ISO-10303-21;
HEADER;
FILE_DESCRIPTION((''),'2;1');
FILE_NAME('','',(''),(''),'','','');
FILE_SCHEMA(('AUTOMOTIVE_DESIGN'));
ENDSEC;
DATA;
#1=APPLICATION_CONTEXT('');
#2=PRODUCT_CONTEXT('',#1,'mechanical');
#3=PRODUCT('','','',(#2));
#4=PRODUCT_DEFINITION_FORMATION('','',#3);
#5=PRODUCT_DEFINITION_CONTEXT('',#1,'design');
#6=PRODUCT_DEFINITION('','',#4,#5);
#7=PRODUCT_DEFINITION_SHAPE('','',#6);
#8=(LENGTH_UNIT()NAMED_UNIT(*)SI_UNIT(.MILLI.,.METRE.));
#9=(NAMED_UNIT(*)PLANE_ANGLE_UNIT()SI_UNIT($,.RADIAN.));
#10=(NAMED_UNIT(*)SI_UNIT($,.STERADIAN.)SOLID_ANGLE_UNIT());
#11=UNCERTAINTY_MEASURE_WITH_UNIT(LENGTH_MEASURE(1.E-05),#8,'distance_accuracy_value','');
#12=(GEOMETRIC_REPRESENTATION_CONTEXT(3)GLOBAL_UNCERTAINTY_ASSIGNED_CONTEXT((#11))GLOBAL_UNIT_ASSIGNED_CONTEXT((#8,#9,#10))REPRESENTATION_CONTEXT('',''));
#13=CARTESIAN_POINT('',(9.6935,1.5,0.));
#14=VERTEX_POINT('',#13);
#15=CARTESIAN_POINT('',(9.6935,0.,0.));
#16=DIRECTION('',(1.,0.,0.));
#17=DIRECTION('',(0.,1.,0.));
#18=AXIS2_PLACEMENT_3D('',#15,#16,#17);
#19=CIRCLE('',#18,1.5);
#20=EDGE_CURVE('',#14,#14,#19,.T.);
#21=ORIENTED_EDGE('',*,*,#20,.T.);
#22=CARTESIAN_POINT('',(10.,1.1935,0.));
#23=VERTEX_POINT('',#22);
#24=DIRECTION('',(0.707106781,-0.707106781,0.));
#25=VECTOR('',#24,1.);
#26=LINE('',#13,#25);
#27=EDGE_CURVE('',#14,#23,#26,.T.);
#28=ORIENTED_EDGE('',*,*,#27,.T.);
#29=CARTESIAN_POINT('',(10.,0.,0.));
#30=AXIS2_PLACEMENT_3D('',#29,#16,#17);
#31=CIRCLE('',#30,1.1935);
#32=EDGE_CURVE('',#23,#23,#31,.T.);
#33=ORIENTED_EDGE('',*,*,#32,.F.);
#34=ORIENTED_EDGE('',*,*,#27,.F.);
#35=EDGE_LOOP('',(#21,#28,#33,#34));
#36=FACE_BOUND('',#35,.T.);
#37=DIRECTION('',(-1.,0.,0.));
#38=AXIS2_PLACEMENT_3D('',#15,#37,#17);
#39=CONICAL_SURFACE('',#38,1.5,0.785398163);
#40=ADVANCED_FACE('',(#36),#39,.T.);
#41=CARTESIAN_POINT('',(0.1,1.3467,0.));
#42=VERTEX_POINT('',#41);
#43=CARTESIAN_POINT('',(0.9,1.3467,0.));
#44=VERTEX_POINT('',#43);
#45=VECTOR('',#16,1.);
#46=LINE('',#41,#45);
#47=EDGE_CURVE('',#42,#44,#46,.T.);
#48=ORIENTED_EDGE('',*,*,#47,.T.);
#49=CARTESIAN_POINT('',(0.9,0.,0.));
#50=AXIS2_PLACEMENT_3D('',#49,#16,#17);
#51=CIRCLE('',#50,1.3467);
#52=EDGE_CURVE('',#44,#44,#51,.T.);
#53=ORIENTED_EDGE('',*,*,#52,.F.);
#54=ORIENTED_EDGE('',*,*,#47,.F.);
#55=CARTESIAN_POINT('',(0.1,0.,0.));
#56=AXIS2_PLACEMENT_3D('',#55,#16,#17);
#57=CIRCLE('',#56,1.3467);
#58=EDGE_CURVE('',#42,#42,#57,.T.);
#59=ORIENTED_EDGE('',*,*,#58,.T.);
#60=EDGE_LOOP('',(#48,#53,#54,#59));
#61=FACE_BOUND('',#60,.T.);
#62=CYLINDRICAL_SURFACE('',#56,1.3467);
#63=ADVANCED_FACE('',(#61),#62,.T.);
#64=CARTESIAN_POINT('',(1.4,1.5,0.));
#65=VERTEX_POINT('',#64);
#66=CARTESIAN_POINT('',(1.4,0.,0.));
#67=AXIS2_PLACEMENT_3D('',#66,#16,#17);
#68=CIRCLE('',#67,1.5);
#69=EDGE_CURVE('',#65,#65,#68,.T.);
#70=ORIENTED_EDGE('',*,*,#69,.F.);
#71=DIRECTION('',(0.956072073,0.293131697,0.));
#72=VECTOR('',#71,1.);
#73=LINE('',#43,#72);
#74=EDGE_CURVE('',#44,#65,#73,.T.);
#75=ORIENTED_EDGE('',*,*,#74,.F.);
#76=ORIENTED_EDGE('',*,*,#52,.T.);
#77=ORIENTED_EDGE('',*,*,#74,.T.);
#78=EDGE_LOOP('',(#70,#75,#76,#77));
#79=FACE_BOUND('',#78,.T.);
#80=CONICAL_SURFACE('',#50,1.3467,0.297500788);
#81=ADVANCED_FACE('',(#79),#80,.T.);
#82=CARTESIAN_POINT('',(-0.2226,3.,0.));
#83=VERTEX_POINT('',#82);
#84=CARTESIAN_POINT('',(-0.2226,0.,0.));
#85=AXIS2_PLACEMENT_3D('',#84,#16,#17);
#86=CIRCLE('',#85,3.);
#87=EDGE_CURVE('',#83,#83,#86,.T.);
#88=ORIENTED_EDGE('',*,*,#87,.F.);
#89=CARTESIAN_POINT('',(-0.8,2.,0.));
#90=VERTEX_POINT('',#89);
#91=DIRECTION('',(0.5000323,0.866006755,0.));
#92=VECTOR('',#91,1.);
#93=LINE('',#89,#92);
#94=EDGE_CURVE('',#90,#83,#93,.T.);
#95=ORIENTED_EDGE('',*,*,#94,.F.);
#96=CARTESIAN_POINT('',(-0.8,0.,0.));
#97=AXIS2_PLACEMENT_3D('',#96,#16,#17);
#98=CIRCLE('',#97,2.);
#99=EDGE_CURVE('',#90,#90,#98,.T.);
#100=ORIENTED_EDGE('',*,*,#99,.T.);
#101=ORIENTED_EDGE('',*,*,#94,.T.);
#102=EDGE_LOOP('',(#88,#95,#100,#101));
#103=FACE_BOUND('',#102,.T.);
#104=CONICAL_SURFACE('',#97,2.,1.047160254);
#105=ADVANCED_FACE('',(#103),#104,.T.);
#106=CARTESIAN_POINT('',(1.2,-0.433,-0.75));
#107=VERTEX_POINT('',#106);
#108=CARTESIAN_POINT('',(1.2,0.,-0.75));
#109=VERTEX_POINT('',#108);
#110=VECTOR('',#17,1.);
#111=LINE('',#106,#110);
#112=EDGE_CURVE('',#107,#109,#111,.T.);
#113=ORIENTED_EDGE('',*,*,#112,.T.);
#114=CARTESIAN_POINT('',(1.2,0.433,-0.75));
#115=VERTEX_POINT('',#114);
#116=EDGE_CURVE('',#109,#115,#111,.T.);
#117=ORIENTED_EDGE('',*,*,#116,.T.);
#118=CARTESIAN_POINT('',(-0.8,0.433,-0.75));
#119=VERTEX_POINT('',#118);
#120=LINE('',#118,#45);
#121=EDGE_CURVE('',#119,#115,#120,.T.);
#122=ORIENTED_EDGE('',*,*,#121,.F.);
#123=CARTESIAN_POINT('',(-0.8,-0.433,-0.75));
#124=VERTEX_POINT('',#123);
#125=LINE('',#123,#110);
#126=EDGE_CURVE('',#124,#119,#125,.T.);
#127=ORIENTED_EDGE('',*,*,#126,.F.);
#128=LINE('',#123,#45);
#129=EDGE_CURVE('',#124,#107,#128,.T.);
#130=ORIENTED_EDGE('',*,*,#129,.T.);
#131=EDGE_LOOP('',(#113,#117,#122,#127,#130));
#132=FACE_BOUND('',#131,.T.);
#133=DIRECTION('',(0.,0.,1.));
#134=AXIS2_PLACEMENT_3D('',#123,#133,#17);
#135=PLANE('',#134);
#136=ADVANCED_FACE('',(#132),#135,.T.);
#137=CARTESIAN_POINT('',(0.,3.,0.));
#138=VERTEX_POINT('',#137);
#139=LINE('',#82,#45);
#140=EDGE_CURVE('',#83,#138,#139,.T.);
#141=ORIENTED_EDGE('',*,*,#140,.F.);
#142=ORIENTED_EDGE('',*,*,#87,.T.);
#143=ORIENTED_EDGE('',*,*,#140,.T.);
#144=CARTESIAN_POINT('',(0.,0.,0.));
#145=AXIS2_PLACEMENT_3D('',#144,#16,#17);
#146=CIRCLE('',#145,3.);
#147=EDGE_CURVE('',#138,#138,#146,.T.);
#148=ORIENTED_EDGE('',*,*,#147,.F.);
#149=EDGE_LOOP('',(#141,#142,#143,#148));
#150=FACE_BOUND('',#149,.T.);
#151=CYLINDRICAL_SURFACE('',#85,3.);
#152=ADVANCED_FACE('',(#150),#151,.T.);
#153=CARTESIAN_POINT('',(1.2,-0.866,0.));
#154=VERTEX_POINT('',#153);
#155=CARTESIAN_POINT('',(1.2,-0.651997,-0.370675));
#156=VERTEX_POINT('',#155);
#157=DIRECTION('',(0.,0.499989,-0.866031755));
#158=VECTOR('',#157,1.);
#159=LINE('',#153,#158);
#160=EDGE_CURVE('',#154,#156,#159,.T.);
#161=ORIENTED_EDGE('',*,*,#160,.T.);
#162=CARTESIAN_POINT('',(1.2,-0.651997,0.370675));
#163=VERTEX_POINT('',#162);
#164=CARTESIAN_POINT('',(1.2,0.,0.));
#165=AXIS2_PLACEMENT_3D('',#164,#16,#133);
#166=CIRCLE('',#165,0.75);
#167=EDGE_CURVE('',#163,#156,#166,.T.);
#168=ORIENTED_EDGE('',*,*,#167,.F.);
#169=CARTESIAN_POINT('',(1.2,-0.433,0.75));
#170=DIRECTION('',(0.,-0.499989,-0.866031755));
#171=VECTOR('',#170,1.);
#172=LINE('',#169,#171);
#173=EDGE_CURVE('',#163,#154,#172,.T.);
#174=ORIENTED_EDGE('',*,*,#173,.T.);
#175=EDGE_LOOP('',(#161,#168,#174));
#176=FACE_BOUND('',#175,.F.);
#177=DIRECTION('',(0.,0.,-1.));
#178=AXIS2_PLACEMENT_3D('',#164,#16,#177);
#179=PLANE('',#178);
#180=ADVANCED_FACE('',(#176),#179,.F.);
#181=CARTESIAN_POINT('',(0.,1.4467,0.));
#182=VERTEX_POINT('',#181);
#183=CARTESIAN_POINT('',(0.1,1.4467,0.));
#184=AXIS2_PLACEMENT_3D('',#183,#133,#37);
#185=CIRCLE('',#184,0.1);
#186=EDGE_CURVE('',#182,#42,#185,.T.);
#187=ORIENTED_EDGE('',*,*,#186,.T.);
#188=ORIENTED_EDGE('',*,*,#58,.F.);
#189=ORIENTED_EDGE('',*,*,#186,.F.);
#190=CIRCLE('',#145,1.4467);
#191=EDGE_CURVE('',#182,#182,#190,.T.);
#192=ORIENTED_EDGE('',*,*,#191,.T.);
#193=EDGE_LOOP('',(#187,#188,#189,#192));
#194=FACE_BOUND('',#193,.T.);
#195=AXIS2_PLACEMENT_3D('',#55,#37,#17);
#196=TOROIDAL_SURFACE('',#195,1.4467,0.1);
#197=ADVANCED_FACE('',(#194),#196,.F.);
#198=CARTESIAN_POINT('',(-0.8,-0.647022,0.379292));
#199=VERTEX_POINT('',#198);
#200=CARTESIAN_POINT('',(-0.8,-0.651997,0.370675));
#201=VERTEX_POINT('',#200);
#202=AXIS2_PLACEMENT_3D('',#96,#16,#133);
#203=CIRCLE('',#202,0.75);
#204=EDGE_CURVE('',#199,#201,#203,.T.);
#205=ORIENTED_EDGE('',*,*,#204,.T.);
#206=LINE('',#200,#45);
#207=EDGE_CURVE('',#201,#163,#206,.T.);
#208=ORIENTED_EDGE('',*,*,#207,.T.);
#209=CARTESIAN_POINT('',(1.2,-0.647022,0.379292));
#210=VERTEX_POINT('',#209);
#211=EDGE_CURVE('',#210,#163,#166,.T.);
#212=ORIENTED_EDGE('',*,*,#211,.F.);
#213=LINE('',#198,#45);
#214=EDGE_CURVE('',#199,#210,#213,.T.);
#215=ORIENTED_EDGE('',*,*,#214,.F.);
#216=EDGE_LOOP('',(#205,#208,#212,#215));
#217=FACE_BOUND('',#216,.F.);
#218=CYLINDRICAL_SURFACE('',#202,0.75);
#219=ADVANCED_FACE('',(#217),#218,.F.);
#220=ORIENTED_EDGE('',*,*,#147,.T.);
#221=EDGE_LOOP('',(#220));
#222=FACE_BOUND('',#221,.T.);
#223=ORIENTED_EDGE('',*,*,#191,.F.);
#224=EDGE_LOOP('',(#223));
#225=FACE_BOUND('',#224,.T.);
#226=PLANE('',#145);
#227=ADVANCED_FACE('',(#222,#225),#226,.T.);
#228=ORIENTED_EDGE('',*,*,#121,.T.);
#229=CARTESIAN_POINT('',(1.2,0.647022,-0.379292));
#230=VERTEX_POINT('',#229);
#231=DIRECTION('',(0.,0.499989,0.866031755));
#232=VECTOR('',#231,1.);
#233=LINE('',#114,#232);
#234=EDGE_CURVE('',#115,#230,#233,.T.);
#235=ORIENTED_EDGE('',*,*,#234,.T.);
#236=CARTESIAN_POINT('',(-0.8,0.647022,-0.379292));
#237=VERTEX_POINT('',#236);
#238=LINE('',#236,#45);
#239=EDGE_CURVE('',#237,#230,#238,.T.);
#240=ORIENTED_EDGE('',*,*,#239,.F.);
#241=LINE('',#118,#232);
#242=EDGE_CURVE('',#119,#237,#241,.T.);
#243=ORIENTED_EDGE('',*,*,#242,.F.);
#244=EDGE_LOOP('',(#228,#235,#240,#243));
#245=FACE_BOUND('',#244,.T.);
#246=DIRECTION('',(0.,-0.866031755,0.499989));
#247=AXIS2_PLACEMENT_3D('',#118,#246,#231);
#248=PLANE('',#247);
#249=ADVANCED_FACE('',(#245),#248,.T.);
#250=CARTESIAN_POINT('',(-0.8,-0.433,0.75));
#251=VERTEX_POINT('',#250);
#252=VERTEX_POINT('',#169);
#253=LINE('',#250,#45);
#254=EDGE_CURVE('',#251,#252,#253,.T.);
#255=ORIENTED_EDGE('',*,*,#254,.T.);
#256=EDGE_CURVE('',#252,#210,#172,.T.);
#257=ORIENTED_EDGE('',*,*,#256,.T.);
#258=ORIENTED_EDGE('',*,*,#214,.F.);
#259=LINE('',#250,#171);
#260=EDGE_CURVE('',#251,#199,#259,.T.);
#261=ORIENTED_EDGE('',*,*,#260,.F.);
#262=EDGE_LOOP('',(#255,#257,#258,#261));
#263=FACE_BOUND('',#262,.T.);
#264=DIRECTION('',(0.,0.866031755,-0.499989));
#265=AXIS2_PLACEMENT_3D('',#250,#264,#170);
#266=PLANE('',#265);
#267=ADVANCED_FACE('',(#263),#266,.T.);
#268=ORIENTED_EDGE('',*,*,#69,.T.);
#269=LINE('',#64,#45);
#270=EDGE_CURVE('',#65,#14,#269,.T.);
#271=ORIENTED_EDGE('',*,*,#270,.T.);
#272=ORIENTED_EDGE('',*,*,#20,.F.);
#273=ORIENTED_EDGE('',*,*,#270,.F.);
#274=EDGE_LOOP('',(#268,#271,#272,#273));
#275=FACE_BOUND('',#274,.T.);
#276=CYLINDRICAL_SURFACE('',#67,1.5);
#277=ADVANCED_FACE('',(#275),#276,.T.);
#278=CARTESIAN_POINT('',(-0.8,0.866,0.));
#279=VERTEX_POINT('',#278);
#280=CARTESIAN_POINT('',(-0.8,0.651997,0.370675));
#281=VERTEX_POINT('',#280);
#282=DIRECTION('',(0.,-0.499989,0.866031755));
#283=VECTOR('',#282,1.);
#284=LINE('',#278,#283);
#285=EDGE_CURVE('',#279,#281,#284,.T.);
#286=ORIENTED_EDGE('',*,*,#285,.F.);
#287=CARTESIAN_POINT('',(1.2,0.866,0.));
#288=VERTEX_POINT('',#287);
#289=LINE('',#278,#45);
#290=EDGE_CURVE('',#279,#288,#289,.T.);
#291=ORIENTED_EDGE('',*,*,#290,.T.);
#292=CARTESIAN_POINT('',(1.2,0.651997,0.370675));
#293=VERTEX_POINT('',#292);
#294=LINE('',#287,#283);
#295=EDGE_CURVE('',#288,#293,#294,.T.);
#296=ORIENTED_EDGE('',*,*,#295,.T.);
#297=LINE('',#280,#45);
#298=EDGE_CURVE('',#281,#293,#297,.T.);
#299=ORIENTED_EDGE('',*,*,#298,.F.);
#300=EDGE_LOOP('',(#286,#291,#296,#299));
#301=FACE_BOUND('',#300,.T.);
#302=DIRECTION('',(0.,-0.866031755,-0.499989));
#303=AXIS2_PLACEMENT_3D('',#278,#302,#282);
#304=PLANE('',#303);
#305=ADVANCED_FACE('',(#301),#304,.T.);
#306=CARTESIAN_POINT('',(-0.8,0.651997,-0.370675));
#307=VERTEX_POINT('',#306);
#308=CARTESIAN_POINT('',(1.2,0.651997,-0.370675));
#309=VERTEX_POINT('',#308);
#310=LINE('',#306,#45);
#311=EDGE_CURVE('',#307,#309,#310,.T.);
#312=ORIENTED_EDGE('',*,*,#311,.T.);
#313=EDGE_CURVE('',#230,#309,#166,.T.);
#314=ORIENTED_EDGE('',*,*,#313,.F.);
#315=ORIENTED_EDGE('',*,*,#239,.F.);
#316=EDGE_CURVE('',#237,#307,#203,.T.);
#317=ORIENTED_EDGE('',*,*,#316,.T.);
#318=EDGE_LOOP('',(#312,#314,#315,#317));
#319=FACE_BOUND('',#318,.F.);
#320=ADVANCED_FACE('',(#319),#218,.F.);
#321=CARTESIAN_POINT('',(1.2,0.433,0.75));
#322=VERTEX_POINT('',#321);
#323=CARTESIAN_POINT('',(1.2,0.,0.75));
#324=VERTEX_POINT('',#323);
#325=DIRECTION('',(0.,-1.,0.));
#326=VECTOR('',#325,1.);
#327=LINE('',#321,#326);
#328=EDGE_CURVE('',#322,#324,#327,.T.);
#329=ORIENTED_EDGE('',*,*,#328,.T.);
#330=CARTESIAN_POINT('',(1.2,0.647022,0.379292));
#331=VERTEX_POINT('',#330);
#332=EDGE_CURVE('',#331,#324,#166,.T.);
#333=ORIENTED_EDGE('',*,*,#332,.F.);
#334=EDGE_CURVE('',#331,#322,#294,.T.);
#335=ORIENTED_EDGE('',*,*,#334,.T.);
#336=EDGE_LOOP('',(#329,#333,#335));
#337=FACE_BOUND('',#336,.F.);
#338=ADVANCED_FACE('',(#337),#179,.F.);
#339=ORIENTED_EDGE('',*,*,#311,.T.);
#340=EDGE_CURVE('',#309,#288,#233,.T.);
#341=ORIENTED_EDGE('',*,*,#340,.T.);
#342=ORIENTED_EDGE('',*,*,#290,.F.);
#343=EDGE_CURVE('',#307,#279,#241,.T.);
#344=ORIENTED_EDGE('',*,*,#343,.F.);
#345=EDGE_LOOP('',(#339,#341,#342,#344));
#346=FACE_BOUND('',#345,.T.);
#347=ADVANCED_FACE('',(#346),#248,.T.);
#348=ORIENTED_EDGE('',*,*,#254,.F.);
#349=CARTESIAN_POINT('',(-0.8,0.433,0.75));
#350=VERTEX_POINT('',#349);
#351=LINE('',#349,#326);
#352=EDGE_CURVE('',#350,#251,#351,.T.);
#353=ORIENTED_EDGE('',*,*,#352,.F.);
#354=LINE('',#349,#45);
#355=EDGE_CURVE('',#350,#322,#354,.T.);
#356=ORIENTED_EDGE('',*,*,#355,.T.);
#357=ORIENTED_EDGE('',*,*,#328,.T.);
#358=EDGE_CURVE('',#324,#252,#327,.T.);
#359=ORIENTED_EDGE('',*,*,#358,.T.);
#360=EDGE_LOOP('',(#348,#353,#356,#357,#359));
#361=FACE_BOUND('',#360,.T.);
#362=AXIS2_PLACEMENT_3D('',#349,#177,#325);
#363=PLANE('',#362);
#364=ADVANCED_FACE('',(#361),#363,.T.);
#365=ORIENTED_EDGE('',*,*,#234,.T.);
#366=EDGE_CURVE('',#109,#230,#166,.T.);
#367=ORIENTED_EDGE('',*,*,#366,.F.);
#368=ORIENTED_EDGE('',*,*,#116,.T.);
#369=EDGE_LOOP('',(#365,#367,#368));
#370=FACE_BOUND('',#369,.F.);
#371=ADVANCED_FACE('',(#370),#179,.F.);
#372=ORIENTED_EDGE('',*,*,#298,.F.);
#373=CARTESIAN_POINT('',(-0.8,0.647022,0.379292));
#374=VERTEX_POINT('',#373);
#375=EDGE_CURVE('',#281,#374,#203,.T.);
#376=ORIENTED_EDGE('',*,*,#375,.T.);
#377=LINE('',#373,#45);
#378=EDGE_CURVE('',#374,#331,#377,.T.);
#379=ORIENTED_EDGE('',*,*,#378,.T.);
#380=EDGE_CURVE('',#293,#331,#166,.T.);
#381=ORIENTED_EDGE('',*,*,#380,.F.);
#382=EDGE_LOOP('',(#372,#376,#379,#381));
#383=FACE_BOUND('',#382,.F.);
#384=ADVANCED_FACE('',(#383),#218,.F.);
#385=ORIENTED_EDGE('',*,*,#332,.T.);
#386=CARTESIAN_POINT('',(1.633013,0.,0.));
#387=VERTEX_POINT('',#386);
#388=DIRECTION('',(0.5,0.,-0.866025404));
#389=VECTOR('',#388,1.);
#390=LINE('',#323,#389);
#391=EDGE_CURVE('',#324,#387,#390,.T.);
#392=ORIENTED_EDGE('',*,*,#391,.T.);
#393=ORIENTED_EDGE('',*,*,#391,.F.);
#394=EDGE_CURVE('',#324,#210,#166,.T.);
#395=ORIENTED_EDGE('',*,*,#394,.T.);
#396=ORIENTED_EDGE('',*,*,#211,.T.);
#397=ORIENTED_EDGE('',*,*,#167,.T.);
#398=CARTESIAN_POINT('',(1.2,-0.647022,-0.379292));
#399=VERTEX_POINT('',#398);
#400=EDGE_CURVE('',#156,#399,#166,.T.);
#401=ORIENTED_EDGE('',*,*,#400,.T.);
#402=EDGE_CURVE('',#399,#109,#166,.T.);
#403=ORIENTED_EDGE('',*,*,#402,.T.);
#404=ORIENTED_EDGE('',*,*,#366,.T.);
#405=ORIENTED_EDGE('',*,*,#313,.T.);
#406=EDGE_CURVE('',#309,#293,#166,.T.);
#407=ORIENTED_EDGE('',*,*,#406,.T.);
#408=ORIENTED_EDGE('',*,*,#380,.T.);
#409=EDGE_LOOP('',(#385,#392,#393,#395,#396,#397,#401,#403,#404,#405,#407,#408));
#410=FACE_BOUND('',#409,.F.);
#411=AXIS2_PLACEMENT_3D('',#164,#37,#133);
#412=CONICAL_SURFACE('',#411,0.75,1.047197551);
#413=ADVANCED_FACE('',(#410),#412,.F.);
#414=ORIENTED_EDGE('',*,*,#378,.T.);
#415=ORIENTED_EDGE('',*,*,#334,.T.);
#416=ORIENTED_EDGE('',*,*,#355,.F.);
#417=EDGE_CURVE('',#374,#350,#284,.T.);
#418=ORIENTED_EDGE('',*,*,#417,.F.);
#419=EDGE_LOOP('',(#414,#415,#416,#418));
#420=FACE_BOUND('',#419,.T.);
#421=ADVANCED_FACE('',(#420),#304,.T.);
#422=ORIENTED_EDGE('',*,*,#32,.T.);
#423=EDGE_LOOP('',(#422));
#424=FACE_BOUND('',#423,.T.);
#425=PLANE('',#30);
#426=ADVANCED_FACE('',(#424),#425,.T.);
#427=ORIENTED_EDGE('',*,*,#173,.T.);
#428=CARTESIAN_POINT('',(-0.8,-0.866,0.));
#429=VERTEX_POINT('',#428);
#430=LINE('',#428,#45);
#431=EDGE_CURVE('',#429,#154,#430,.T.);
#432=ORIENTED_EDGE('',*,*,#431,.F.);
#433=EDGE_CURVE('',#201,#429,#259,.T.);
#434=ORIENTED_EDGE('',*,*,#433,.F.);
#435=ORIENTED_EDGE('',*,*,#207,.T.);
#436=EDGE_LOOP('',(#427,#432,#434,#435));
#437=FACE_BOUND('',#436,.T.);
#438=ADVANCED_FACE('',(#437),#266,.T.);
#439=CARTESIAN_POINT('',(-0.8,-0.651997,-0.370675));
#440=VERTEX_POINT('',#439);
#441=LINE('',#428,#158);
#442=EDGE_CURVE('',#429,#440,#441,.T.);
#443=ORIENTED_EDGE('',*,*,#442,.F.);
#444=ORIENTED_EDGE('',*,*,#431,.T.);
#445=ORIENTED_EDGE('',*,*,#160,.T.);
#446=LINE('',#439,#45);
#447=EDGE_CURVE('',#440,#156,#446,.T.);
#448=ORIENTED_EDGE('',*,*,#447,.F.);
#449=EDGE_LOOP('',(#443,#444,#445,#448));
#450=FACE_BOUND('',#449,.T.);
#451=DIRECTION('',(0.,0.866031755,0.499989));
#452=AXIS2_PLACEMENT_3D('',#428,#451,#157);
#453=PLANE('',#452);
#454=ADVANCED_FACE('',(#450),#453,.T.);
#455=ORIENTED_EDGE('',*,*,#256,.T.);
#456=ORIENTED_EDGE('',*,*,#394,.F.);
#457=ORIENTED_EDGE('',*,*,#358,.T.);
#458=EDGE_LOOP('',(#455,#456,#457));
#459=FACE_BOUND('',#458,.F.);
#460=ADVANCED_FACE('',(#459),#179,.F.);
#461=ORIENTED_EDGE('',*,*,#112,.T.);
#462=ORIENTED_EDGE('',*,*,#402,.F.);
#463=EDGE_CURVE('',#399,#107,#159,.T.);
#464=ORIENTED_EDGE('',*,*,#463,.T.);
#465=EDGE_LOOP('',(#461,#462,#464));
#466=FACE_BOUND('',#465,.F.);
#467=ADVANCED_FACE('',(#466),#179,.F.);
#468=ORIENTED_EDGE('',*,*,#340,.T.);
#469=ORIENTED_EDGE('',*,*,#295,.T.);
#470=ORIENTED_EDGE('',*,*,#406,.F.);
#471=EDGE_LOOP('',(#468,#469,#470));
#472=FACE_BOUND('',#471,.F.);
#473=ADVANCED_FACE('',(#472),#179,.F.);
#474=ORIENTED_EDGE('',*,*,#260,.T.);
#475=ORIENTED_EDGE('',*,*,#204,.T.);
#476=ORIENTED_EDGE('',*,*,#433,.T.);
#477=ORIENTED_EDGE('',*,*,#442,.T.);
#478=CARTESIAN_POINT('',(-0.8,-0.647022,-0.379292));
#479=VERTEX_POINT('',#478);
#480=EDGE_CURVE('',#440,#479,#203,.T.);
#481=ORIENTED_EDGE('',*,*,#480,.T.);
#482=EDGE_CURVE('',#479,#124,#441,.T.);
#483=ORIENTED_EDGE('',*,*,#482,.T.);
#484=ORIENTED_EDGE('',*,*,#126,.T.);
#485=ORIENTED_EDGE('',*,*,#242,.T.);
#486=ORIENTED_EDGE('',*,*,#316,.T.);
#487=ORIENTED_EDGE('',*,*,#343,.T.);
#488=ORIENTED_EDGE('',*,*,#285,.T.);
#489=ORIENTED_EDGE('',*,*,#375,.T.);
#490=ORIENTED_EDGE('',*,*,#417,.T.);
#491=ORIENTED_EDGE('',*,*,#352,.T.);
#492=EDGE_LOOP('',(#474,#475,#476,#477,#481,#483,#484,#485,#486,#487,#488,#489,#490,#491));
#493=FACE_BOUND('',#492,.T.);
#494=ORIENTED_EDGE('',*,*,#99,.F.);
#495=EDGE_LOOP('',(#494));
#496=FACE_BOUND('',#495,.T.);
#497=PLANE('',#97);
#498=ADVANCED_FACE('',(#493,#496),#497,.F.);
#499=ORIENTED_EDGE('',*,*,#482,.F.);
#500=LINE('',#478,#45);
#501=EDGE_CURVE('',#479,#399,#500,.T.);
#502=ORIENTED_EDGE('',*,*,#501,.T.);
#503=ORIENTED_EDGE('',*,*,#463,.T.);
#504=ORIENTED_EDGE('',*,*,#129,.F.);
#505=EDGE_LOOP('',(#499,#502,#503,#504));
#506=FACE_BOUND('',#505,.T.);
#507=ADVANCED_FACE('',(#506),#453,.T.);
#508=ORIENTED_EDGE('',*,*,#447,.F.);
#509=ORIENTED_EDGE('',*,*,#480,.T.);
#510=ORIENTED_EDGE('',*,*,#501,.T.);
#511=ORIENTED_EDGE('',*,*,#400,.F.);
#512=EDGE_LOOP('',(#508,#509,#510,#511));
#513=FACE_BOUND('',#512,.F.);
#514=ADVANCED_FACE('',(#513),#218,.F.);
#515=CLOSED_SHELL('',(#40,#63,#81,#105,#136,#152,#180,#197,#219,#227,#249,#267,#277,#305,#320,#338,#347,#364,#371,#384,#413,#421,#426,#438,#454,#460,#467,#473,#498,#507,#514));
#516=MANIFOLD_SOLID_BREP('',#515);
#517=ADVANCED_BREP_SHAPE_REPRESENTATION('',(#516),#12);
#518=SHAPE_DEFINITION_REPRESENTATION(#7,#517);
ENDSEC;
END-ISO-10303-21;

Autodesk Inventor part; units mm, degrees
ref_plane "YZ Plane" through (0, 0, 0) normal (1, 0, 0) x (0, 1, 0)
ref_plane "XZ Plane" through (0, 0, 0) normal (0, 1, 0) x (-1, 0, 0)
ref_plane "XY Plane" through (0, 0, 0) normal (0, 0, 1) x (1, 0, 0)
sketch "Sketch_1" plane through (0, 0, 0) normal (0, 0, 1) x (1, 0, 0)
  line L0 (10, 0) -> (-0.8, 0)
  line L1 (-0.8, 0) -> (-0.8, 2)
  line L2 (-0.8, 2) -> (-0.2226, 3)
  line L3 (-0.2226, 3) -> (0, 3)
  line L4 (0, 3) -> (0, 1.4467)
  arc A0 (0, 1.4467) -> (0.1, 1.3467) centre (0.1, 1.4467) ccw
  line L5 (0.1, 1.3467) -> (0.9, 1.3467)
  line L6 (0.9, 1.3467) -> (1.4, 1.5)
  line L7 (1.4, 1.5) -> (9.6935, 1.5)
  line L8 (9.6935, 1.5) -> (10, 1.1935)
  line L9 (10, 1.1935) -> (10, 0)
  line L10 (10, 0) -> (-0.8, 0)
revolve "Revolution1" add sketch "Sketch_1" angle 360 about axis through (10, 0, 0) along (1, 0, 0)
thread "Thread1" size "M3x0.5" class "6g" standard "ISO Metric profile" full length
sketch "Sketch2" plane through (-0.8, 0, 0) normal (-1, 0, 0) x (0, 0, 1)
  point P0 (0, 0)
hole "Hole1" at (-0.8, 0, 0) direction (1, 0, 0) diameter 1.5 depth 2 tip angle 120
sketch "Sketch_3" plane through (-0.8, 0, 0) normal (1, 0, 0) x (0, 0, -1)
  line L0 (-0.75, -0.433) -> (0, -0.866)
  line L1 (0, -0.866) -> (0.75, -0.433)
  line L2 (0.75, -0.433) -> (0.75, 0.433)
  line L3 (0.75, 0.433) -> (0, 0.866)
  line L4 (0, 0.866) -> (-0.75, 0.433)
  line L5 (-0.75, 0.433) -> (-0.75, -0.433)
extrude "Extrusion1" cut sketch "Sketch_3" along normal blind 2
properties part number "CBSTSR3-10" material "鋼、炭素鋼"
